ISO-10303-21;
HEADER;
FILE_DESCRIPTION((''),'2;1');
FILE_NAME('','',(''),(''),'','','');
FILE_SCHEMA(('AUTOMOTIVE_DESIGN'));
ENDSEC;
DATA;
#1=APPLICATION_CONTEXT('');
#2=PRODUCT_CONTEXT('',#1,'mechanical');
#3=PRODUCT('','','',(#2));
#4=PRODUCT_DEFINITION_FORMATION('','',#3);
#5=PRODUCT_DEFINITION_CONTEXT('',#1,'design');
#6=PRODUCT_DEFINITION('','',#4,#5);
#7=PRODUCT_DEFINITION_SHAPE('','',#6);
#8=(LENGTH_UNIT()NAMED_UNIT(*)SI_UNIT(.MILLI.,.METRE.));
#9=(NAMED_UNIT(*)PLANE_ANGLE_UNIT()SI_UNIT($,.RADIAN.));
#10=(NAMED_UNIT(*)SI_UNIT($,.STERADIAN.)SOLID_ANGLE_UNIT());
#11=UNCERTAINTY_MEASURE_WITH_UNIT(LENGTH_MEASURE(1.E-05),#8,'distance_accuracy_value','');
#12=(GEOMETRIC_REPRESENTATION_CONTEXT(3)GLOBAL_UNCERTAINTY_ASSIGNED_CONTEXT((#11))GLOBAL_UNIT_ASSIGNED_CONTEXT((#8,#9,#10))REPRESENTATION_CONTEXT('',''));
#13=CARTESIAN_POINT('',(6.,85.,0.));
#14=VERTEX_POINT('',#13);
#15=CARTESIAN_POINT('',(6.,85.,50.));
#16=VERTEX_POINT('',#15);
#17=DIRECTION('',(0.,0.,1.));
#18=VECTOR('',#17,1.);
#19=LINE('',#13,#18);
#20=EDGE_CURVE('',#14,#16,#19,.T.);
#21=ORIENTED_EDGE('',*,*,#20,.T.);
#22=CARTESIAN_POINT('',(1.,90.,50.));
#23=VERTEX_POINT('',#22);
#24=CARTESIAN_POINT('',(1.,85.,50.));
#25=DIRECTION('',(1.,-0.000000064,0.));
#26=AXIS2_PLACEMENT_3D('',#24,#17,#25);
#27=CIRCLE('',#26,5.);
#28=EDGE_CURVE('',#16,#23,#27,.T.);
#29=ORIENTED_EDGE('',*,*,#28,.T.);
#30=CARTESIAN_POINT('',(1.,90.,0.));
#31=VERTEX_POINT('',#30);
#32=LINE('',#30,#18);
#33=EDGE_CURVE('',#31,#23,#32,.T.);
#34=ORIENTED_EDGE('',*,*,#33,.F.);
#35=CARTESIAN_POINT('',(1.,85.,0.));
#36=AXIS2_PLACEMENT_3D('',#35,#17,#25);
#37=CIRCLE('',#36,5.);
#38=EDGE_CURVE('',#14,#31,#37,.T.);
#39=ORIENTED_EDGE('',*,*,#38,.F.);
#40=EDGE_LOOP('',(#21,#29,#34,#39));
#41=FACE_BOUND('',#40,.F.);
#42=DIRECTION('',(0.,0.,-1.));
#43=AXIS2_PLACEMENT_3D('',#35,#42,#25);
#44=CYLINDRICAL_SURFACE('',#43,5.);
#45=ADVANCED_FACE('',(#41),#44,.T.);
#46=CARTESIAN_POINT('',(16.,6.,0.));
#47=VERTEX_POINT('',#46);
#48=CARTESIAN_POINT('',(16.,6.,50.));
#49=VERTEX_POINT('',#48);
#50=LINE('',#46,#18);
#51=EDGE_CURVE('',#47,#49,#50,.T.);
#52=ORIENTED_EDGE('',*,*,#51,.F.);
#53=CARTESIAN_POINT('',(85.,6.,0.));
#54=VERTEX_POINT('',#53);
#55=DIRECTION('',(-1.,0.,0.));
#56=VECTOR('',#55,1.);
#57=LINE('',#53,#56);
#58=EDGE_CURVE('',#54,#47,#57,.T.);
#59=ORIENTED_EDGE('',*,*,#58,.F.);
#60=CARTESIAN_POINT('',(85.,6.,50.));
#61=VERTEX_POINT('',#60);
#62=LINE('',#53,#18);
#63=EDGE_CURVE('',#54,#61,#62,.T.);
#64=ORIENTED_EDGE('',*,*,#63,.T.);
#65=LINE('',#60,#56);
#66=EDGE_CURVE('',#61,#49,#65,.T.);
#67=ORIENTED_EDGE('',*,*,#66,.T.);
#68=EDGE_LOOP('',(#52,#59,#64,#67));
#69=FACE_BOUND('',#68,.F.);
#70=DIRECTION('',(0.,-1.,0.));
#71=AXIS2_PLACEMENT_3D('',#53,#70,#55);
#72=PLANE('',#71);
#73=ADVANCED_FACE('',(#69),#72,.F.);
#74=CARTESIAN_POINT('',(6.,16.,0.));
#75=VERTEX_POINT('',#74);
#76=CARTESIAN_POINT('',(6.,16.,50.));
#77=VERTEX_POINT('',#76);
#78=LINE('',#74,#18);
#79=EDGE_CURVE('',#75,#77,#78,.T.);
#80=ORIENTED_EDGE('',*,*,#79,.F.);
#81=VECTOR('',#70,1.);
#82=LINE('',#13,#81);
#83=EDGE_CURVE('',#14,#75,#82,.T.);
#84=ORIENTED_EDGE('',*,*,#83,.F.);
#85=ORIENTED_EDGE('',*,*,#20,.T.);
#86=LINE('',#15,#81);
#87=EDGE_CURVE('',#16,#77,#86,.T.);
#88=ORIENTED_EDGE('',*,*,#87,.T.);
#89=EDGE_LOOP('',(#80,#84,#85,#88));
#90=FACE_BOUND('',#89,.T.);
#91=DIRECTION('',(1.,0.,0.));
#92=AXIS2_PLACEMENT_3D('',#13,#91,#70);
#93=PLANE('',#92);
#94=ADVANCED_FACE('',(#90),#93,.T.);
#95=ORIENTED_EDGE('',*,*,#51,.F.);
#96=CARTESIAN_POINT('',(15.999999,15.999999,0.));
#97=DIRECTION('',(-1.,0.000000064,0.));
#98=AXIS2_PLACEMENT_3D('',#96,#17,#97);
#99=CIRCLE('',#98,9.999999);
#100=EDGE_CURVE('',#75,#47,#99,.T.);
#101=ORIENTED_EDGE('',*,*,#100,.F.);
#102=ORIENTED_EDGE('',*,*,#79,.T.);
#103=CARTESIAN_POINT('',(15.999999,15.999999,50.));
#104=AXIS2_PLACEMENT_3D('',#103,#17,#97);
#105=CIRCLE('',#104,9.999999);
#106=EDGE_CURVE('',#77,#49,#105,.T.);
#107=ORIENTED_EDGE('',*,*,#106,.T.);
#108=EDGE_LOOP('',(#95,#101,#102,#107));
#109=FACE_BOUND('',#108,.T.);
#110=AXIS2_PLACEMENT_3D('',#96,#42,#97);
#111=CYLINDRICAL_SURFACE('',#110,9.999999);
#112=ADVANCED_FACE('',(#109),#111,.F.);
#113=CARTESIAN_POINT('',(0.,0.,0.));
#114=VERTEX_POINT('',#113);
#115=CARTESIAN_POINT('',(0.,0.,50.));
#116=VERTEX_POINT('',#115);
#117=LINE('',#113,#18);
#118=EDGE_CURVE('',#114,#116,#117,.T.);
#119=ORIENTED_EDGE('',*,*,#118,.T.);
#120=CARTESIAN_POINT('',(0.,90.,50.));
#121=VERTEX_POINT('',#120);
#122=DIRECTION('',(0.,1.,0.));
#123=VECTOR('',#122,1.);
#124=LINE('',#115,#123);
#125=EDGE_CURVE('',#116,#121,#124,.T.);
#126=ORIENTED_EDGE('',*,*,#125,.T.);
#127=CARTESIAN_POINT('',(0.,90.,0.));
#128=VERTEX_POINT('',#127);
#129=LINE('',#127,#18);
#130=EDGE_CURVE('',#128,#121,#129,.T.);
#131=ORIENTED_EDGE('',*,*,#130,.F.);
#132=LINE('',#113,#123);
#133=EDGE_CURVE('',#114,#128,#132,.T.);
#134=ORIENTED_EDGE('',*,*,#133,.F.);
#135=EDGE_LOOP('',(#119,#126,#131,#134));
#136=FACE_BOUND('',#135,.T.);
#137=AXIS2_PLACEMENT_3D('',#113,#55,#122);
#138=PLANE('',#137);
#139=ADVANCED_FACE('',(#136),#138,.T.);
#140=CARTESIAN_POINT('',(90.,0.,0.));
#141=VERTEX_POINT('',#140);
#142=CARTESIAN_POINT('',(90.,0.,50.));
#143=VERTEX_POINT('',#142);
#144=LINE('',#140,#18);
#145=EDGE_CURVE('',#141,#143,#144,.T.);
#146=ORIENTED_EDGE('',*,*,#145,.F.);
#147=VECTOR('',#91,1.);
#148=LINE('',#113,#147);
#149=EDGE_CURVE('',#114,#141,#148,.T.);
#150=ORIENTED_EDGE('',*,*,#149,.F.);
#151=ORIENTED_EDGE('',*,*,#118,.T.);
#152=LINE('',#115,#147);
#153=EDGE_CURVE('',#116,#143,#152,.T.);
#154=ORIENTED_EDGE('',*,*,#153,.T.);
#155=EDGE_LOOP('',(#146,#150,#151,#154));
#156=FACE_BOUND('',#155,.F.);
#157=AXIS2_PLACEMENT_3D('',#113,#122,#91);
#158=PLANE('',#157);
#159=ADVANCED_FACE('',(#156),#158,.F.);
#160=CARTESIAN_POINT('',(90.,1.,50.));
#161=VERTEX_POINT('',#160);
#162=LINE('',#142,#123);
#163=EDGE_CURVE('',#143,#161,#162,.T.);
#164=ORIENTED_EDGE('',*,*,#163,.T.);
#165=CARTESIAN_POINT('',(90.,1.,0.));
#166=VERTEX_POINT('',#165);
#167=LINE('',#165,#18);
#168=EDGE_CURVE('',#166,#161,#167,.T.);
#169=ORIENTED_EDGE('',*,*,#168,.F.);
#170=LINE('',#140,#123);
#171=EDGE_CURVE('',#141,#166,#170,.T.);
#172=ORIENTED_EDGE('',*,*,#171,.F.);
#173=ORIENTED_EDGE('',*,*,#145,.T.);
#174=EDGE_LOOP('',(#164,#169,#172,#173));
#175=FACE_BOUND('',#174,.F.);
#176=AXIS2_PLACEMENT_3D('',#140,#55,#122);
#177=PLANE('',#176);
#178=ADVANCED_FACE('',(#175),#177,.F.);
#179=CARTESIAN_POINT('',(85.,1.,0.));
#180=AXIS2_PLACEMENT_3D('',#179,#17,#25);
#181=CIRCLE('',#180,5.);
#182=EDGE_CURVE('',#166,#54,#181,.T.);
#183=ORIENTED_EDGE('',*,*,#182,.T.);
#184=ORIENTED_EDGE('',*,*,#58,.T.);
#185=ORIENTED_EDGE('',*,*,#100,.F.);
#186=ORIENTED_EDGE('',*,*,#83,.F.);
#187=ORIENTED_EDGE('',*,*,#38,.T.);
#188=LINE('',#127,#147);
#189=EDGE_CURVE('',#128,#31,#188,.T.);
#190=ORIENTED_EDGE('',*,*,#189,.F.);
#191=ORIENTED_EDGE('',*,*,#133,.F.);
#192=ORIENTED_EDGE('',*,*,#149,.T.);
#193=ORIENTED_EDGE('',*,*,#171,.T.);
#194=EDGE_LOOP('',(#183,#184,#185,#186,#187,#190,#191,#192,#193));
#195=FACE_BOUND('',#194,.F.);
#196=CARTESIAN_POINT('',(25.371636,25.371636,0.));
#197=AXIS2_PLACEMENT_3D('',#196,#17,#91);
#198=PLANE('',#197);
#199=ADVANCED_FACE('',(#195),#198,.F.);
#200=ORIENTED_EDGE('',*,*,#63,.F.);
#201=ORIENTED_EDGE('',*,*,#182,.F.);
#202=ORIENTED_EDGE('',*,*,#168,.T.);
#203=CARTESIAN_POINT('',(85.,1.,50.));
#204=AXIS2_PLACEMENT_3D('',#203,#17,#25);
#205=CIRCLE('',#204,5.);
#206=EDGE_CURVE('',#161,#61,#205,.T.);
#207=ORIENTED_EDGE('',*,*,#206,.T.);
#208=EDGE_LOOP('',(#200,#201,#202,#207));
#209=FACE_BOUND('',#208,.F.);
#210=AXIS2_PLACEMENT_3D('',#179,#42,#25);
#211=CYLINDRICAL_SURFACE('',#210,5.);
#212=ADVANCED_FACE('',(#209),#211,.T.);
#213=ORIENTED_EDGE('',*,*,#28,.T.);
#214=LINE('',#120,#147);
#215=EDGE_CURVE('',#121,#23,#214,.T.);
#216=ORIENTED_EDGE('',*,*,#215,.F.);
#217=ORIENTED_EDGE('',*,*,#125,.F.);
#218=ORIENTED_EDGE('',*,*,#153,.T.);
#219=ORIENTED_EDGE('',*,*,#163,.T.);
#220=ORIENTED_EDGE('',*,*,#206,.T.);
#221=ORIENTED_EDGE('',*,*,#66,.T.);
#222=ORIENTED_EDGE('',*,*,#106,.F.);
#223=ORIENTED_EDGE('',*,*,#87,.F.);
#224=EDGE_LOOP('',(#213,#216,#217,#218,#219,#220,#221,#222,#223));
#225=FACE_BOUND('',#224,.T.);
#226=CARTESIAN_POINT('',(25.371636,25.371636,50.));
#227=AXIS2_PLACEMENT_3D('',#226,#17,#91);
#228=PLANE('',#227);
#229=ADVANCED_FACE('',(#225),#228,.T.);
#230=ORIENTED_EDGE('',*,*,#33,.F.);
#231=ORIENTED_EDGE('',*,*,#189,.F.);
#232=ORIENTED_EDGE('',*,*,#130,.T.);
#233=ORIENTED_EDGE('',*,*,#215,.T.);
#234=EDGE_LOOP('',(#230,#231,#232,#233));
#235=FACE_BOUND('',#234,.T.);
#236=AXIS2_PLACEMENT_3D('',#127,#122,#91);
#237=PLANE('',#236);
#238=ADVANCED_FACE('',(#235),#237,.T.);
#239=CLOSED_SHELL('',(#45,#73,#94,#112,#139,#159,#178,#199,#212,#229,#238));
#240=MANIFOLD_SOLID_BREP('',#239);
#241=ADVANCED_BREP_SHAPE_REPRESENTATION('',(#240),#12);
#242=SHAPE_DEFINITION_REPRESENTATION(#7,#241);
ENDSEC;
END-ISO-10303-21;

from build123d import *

# Parameters (mm, degrees)
EXTRUDE_DEPTH = 50


with BuildPart() as part:
    # Sketch → Extrude (new body)
    with BuildSketch(Plane.XY):
        with BuildLine():
            Line((0, 0), (90, 0))
            Line((90, 0), (90, 1))
            ThreePointArc((90, 1), (88.535534, 4.535534), (85, 6))
            Line((85, 6), (16, 6))
            ThreePointArc((6, 16), (8.928932, 8.928932), (16, 6))
            Line((6, 85), (6, 16))
            ThreePointArc((6, 85), (4.535534, 88.535534), (1, 90))
            Line((0, 90), (1, 90))
            Line((0, 0), (0, 90))
        make_face()
    extrude(amount=EXTRUDE_DEPTH)


solid = part.part
